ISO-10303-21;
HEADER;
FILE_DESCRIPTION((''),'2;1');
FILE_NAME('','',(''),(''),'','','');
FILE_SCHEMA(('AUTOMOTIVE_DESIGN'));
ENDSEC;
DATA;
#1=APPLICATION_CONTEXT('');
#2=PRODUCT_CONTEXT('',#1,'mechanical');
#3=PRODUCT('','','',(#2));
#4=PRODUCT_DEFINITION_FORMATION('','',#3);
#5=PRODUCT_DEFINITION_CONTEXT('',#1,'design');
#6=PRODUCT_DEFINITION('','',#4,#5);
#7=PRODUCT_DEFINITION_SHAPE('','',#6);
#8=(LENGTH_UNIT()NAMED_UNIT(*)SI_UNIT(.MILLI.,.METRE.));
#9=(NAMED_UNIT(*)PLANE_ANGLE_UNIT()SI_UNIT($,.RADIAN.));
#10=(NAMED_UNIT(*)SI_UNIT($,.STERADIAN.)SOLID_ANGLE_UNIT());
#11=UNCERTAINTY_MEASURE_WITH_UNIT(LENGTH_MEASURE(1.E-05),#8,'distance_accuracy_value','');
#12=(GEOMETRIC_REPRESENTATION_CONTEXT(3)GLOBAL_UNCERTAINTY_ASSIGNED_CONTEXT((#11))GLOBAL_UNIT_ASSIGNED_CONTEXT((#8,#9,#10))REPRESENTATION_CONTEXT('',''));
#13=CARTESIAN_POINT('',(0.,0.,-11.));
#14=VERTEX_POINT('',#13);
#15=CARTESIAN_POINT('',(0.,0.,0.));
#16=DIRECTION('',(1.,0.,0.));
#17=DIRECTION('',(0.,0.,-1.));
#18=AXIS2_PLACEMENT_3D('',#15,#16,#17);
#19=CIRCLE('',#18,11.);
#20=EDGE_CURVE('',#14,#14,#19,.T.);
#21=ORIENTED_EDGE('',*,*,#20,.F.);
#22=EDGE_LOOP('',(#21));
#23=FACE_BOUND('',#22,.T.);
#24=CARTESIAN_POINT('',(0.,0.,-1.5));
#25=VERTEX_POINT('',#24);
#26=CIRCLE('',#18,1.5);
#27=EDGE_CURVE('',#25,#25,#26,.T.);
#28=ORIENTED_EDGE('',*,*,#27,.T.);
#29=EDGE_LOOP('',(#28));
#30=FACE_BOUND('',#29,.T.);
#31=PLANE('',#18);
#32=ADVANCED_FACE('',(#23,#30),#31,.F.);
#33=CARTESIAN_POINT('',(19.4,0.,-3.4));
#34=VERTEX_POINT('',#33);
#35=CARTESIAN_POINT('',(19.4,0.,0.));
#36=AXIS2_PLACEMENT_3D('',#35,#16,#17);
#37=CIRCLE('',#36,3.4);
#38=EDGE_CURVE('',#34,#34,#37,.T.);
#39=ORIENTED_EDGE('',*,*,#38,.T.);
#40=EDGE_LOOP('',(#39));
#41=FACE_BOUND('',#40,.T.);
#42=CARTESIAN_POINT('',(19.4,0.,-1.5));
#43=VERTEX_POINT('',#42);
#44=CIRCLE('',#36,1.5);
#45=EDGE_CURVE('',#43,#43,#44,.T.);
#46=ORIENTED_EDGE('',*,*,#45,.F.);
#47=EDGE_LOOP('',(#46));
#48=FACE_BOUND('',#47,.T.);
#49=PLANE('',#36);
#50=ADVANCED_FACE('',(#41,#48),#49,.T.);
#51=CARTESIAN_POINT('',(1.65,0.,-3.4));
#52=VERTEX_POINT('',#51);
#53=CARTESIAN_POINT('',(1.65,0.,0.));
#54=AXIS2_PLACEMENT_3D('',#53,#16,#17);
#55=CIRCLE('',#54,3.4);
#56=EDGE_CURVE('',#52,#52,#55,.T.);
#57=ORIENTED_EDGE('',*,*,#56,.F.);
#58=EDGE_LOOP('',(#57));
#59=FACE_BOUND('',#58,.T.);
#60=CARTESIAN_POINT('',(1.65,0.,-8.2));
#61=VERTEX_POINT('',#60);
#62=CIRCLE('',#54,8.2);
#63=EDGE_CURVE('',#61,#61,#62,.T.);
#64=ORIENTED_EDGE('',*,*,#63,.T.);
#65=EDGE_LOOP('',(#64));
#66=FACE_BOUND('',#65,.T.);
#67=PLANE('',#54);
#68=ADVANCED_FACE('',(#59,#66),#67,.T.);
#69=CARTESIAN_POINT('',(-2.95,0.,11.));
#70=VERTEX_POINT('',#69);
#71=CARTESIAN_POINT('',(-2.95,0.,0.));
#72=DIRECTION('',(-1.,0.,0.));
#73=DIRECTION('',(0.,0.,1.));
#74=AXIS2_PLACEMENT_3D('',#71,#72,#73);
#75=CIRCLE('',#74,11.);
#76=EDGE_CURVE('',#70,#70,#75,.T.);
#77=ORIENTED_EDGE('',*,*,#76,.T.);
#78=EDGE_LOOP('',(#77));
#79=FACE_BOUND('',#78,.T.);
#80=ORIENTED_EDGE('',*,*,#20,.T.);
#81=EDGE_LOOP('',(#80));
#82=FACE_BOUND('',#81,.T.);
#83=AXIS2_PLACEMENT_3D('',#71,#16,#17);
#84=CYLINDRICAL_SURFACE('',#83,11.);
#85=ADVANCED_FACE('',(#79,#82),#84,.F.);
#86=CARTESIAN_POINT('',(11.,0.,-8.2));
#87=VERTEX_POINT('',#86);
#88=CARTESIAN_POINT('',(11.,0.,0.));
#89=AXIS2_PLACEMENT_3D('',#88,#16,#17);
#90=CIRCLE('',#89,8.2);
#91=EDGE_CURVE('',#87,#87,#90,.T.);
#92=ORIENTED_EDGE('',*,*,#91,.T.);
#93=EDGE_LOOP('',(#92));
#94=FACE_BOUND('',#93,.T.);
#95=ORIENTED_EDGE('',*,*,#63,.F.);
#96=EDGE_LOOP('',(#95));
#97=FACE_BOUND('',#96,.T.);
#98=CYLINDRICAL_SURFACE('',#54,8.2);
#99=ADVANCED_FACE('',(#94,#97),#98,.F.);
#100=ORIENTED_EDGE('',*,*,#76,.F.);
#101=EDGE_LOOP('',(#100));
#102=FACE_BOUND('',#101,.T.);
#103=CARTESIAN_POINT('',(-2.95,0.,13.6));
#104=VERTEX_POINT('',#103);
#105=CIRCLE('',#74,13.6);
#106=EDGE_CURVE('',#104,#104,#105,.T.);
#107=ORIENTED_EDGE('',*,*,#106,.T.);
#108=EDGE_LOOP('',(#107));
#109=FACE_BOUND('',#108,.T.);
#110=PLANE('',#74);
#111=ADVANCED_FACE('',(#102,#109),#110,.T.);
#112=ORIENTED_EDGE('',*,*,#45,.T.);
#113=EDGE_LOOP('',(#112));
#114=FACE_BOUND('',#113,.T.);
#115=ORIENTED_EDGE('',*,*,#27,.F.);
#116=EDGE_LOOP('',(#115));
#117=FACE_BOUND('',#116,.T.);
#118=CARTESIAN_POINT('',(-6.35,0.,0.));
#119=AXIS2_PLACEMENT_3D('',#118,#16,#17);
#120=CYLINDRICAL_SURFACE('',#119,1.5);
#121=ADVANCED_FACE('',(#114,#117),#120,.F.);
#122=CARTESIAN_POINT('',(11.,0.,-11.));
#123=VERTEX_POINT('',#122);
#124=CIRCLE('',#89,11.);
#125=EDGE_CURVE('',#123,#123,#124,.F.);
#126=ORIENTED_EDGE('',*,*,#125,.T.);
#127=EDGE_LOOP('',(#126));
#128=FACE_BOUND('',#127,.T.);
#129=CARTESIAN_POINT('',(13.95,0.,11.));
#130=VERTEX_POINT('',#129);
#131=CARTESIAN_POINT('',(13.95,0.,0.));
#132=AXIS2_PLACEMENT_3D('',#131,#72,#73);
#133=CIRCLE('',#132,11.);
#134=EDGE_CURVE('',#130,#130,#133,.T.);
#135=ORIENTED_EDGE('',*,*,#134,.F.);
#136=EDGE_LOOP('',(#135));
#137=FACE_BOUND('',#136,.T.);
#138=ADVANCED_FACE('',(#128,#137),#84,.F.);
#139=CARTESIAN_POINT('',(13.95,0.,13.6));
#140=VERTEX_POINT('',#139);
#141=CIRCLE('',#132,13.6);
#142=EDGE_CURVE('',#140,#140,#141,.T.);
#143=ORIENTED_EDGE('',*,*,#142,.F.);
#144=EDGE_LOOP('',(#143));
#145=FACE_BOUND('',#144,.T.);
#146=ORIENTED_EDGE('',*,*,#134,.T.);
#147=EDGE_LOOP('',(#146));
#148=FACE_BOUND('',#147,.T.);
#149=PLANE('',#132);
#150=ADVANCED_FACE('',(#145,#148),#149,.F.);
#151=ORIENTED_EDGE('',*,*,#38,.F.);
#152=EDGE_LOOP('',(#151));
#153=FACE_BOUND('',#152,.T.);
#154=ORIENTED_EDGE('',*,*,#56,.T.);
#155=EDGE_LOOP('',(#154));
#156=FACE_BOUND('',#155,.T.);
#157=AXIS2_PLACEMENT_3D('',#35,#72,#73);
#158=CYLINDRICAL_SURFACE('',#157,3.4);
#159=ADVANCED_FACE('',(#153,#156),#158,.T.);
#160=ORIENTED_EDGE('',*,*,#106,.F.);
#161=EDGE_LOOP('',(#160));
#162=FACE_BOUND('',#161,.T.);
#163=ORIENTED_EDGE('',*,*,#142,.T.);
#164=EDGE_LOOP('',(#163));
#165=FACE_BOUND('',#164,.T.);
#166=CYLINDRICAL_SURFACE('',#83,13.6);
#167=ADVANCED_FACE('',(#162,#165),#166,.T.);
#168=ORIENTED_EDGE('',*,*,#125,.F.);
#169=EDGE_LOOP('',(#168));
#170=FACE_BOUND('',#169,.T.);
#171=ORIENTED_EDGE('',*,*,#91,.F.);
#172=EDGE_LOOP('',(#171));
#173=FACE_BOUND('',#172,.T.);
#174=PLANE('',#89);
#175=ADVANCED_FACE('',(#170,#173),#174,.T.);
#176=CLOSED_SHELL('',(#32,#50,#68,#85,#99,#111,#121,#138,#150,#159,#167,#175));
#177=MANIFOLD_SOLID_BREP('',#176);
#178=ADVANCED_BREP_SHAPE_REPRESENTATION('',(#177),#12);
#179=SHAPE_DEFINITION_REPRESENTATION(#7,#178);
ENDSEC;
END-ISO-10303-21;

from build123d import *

# Parameters (mm, degrees)
SKETCH_1_R           = 11
EXTRUDE_1_DEPTH      = 11
SKETCH_2_R           = 8.2
CUT_EXTRUDE_1_DEPTH  = 9.35
SKETCH_4_R           = 3.4
EXTRUDE_2_DEPTH      = 17.75
SKETCH_5_R           = 1.5
CUT_EXTRUDE_4_DEPTH  = 25.75
SKETCH_6_R           = 13.6
SKETCH_6_R_2         = 11
EXTRUDE_4_DEPTH      = 2.95
EXTRUDE_4_DEPTH_BACK = 13.95


with BuildPart() as part:
    # ｽｹｯﾁ1 → ﾎﾞｽ - 押し出し1 (new body)
    with BuildSketch(Plane(origin=(0, 0, 0), x_dir=(0, 0, -1), z_dir=(1, 0, 0))):
        Circle(SKETCH_1_R)
    extrude(amount=EXTRUDE_1_DEPTH)

    # ｽｹｯﾁ2 → ｶｯﾄ - 押し出し1 (cut)
    with BuildSketch(Plane(origin=(11, 0, 0), x_dir=(0, 0, -1), z_dir=(1, 0, 0))):
        Circle(SKETCH_2_R)
    extrude(amount=-CUT_EXTRUDE_1_DEPTH, mode=Mode.SUBTRACT)

    # ｽｹｯﾁ4 → ﾎﾞｽ - 押し出し2 (add)
    with BuildSketch(Plane(origin=(1.65, 0, 0), x_dir=(0, 0, -1), z_dir=(1, 0, 0))):
        Circle(SKETCH_4_R)
    extrude(amount=EXTRUDE_2_DEPTH)

    # ｽｹｯﾁ5 → ｶｯﾄ - 押し出し4 (cut)
    with BuildSketch(Plane(origin=(19.4, 0, 0), x_dir=(0, 0, -1), z_dir=(1, 0, 0))):
        Circle(SKETCH_5_R)
    extrude(amount=-CUT_EXTRUDE_4_DEPTH, mode=Mode.SUBTRACT)

    # ｽｹｯﾁ6 → ﾎﾞｽ - 押し出し4 (add, two sides)
    with BuildSketch(Plane.ZY) as extrude_4_sk:
        Circle(SKETCH_6_R)
        Circle(SKETCH_6_R_2, mode=Mode.SUBTRACT)
    extrude(amount=EXTRUDE_4_DEPTH)
    extrude(extrude_4_sk.sketch, amount=-EXTRUDE_4_DEPTH_BACK)


solid = part.part
